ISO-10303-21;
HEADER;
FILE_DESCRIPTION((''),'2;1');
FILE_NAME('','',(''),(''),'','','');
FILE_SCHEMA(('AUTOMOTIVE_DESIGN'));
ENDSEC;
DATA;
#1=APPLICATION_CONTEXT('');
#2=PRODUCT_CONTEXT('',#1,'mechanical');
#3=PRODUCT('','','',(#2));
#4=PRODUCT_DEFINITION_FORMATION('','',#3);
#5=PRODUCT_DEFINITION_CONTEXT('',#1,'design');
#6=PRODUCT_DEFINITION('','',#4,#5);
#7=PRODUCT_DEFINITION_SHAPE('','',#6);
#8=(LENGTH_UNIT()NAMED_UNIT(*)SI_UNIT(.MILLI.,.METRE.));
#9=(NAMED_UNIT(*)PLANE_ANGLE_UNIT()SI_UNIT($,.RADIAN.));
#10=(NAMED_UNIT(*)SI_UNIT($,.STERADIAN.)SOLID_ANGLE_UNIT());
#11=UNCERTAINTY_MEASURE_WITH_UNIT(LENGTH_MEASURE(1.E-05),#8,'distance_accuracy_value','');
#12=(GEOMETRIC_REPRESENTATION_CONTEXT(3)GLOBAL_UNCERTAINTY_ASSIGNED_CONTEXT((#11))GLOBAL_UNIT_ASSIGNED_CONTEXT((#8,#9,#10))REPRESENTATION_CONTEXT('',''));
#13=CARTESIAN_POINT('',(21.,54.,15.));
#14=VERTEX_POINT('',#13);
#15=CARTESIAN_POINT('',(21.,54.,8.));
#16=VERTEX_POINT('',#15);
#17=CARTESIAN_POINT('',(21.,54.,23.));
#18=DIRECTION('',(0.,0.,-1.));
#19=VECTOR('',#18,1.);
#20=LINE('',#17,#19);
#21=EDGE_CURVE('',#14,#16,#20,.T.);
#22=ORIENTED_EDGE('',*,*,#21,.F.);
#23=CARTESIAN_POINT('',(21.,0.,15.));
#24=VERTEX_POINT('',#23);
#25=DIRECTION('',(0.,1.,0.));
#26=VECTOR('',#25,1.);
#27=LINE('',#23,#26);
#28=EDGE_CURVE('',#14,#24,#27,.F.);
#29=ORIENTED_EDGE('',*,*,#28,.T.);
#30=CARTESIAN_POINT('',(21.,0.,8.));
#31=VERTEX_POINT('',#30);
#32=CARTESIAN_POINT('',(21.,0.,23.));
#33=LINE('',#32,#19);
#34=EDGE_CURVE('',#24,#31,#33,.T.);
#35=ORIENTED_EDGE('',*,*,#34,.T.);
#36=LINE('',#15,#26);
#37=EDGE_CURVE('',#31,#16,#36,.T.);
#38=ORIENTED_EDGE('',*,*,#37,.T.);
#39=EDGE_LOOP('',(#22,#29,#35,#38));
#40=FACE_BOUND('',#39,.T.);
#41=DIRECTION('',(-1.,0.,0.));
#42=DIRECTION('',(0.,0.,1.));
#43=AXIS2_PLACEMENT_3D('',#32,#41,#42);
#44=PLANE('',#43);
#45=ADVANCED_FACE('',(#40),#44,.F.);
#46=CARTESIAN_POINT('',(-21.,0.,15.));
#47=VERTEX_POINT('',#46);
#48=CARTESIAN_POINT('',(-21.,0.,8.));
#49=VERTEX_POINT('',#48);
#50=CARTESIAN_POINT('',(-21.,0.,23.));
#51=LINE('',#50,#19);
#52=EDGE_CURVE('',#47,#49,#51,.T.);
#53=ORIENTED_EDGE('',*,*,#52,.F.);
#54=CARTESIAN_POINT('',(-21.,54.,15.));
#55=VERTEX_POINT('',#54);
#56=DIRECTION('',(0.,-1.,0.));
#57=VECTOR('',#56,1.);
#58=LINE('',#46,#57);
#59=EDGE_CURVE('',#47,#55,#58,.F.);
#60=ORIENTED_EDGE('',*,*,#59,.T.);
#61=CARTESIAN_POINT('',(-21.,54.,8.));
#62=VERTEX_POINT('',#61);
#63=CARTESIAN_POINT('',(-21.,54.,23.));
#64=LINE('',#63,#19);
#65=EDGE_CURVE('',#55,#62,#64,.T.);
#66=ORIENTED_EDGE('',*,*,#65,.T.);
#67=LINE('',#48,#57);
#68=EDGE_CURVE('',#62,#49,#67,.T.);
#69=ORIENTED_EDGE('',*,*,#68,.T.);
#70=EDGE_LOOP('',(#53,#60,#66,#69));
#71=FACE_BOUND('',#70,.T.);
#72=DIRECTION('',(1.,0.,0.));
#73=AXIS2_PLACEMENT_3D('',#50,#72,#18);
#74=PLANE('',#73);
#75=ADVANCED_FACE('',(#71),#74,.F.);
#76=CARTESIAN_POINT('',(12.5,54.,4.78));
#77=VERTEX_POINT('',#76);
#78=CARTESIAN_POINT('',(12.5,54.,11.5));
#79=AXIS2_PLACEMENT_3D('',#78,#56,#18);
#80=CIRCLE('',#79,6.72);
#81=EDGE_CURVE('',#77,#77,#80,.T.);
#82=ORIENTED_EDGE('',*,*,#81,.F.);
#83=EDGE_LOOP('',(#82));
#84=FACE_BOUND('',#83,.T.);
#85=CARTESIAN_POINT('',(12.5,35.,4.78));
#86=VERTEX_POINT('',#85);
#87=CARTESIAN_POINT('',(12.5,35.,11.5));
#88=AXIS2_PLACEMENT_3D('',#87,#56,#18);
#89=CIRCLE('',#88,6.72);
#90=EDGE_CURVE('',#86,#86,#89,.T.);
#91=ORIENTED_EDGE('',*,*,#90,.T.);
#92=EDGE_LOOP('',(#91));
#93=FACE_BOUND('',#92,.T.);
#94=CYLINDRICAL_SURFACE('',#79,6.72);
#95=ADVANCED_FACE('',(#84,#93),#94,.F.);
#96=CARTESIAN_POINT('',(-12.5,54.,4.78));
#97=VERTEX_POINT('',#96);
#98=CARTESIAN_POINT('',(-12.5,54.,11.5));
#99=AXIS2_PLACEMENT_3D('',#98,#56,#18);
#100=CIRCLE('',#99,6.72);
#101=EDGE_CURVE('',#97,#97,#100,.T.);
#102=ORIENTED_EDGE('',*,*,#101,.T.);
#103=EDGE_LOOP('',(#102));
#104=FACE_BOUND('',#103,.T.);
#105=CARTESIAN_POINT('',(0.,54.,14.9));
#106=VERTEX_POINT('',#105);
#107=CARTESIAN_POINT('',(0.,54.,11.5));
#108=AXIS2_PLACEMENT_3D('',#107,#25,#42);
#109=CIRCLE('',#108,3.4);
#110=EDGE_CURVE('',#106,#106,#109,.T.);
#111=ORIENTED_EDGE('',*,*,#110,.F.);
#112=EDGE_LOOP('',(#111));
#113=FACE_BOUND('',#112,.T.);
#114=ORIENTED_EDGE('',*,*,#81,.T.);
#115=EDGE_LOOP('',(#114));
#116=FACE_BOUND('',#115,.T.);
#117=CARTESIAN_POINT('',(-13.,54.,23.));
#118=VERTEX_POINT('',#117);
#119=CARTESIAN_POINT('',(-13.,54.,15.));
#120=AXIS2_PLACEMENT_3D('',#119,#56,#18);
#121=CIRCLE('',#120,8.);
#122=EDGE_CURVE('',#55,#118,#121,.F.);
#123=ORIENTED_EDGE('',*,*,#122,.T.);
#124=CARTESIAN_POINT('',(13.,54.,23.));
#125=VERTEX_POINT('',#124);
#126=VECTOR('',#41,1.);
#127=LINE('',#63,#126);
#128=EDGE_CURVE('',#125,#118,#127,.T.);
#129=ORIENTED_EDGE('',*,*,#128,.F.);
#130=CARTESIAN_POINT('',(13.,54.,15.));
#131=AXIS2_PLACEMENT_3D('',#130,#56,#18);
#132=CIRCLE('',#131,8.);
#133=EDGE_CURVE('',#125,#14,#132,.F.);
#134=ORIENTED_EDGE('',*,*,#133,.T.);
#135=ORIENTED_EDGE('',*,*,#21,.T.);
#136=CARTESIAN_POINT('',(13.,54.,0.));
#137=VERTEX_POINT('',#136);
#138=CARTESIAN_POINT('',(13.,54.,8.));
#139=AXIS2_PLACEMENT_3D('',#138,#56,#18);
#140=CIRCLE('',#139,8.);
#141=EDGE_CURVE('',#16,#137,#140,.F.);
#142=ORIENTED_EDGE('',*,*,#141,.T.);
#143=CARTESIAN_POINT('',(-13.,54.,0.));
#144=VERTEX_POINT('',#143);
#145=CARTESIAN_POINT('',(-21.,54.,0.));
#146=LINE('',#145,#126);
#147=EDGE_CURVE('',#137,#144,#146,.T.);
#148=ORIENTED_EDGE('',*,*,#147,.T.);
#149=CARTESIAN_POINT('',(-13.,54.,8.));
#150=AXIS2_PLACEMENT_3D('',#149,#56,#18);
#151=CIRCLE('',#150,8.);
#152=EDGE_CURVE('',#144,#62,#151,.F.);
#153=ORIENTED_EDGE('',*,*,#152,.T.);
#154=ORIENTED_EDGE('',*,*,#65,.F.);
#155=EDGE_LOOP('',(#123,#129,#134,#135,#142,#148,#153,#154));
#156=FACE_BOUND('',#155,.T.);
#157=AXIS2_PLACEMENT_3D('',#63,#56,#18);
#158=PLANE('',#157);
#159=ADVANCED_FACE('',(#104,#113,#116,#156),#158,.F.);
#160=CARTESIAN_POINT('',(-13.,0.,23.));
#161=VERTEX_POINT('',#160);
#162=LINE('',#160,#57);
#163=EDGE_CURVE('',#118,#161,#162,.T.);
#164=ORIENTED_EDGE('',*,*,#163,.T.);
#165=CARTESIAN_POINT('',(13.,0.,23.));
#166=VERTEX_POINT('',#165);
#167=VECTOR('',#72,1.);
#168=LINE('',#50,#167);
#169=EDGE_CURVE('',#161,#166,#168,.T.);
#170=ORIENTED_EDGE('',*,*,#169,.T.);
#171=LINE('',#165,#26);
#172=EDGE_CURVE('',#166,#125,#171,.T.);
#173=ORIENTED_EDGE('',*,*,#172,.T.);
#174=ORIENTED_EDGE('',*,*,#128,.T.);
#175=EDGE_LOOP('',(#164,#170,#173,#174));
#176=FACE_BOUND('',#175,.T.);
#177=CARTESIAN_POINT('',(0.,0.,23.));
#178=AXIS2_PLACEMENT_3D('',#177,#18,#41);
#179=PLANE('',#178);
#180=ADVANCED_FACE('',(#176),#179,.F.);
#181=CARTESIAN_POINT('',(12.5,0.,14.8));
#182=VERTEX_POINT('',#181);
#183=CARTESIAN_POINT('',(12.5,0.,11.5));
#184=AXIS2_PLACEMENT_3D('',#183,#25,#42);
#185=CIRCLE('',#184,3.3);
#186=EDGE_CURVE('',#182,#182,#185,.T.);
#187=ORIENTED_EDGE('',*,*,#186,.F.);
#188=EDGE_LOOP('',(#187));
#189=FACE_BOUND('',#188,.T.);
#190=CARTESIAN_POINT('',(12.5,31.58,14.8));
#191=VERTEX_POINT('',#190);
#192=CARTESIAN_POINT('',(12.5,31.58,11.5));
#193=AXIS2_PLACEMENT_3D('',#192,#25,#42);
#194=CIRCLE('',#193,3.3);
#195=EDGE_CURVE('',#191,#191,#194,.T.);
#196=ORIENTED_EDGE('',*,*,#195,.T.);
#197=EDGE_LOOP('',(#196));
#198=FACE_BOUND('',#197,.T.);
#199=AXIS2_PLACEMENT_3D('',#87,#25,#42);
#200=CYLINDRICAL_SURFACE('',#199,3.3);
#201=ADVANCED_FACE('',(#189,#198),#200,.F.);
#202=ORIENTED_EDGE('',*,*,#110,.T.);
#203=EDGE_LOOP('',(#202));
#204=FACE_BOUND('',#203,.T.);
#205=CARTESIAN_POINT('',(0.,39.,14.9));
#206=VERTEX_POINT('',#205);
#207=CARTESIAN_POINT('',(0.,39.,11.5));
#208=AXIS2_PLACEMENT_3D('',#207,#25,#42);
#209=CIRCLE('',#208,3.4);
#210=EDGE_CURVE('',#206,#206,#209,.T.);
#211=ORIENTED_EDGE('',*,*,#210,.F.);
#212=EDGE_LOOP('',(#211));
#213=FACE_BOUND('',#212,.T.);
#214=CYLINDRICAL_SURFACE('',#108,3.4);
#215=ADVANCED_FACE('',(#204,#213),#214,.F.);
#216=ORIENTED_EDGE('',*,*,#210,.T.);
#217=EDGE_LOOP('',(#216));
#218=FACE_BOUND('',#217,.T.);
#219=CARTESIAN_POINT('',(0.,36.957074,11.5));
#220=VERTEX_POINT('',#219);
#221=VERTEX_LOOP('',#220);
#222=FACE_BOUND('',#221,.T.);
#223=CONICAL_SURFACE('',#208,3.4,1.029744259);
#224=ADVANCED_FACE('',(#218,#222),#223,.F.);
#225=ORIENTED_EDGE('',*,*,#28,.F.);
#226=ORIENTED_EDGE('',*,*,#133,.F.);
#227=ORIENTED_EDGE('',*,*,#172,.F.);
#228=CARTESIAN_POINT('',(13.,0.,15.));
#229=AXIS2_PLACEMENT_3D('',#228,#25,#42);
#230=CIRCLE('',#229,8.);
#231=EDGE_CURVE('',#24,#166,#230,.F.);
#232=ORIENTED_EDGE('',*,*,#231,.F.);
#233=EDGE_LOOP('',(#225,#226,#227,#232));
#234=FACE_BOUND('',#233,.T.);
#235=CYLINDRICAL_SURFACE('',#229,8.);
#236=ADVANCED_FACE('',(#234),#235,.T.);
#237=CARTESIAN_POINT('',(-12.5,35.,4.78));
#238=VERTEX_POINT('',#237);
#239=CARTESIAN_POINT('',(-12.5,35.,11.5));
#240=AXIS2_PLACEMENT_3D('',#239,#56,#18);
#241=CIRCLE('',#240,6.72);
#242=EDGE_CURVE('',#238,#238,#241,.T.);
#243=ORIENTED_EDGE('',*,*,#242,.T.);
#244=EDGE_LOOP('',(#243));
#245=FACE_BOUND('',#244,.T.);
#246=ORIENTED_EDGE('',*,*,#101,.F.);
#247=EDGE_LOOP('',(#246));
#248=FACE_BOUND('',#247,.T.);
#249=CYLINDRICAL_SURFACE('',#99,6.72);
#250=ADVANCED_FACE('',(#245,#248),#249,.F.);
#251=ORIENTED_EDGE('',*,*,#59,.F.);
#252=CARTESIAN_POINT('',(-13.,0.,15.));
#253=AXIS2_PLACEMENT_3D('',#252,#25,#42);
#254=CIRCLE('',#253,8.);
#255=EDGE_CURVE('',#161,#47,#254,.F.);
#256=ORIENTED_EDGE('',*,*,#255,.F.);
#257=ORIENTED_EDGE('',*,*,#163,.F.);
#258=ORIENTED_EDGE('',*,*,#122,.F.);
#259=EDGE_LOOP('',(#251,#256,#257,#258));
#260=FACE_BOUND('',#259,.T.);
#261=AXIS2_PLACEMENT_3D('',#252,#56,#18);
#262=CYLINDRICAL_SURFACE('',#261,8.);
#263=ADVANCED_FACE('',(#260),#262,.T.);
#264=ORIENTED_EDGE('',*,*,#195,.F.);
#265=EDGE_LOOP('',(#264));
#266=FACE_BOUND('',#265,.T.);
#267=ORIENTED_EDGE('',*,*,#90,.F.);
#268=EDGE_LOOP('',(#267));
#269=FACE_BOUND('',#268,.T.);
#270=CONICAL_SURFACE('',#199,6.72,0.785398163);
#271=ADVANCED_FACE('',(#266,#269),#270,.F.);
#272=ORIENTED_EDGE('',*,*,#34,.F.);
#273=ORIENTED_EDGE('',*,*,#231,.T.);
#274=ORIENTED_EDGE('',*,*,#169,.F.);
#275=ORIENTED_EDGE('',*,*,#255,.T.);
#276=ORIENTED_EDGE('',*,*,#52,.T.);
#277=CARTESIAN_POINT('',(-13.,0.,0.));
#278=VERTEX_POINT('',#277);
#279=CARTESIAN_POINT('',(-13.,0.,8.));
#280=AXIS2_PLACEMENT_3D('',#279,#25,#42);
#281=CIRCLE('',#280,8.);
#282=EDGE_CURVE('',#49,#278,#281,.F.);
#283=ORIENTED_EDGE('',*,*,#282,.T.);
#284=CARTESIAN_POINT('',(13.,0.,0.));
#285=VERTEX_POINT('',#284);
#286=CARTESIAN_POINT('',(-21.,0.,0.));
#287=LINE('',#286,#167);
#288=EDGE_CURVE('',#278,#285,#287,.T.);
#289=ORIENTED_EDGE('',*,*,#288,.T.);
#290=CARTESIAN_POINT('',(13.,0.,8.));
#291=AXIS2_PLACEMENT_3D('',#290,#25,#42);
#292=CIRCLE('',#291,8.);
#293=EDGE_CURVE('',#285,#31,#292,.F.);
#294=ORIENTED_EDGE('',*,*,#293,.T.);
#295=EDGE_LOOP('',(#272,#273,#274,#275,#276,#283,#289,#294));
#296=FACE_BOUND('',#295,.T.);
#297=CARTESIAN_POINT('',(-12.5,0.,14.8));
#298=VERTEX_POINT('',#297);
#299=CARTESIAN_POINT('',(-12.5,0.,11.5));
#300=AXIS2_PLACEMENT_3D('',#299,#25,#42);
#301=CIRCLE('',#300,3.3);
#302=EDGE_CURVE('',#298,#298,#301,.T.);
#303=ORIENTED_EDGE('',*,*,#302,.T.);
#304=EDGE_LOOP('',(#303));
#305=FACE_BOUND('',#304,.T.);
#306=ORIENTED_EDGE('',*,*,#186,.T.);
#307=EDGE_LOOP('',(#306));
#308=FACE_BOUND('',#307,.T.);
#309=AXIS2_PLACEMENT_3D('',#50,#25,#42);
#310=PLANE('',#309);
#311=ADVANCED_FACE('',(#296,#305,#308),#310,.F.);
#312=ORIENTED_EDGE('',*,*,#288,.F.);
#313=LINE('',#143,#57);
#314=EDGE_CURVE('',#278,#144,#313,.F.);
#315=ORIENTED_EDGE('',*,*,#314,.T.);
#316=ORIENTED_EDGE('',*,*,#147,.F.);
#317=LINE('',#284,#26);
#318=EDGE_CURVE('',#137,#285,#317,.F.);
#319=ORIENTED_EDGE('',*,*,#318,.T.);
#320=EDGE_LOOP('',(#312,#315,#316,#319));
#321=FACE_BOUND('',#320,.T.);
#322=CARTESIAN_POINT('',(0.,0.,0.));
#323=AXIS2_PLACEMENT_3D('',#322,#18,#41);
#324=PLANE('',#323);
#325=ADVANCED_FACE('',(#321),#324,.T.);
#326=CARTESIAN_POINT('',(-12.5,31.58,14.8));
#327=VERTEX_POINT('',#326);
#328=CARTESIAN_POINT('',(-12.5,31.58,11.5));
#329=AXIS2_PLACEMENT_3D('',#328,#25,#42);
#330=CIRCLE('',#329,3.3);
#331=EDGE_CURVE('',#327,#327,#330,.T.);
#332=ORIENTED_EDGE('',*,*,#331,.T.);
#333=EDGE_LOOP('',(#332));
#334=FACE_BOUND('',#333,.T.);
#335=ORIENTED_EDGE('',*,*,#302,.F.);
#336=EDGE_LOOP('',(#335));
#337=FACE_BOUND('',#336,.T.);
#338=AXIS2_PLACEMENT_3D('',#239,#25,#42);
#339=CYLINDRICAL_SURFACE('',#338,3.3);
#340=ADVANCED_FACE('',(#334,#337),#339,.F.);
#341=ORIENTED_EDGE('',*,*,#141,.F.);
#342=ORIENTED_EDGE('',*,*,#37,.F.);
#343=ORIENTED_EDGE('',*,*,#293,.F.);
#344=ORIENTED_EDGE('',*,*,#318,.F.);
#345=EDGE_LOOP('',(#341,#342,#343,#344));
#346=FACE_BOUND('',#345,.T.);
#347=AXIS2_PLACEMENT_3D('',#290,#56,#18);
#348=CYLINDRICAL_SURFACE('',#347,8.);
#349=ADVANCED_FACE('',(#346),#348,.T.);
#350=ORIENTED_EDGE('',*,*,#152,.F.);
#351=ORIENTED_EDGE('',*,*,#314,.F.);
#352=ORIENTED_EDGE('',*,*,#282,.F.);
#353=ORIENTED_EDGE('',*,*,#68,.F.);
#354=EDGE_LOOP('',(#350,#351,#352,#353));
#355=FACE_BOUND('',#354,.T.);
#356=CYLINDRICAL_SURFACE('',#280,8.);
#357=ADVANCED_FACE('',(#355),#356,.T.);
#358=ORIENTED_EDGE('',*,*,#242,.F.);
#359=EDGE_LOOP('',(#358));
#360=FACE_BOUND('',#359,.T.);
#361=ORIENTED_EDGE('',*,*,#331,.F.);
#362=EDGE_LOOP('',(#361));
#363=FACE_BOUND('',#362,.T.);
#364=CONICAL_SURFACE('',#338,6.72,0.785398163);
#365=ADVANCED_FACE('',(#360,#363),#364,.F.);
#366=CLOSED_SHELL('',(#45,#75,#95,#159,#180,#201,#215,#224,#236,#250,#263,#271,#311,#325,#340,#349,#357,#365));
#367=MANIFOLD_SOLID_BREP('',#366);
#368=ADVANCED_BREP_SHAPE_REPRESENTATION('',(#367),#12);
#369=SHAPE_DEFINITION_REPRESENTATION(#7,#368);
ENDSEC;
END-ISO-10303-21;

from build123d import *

# Parameters (mm, degrees)
SKETCH1_W                                    = 42
SKETCH1_H                                    = 54
BOSS_EXTRUDE1_DEPTH                          = 23
M8_TAPPED_HOLE1_D                            = 6.8
M8_TAPPED_HOLE1_DEPTH                        = 15
M8_TAPPED_HOLE1_TIP                          = 2.042926105
CSK_FOR_M6_HEX_SOCKET_COUNTERSUNK_CA_2_COUNT = 2
CSK_FOR_M6_HEX_SOCKET_COUNTERSUNK_CA_2_PITCH = 25
FILLET1_R                                    = 8
SKETCH8_R                                    = 6.72
CUT_EXTRUDE1_DEPTH                           = 47.8508271


with BuildPart() as part:
    # Sketch1 → Boss-Extrude1 (new body)
    with BuildSketch(Plane.XY):
        with Locations((0, 27)):
            Rectangle(SKETCH1_W, SKETCH1_H)
    extrude(amount=BOSS_EXTRUDE1_DEPTH)

    # M8 Tapped Hole1
    with Locations(Plane(origin=(0, 54, 0), x_dir=(1, 0, 0), z_dir=(0, 1, 0))):
        with Locations((0, -11.5)):
            Hole(M8_TAPPED_HOLE1_D / 2, depth=M8_TAPPED_HOLE1_DEPTH)
            with Locations((0, 0, -(M8_TAPPED_HOLE1_DEPTH + M8_TAPPED_HOLE1_TIP / 2))):  # 118° drill point
                Cone(0, M8_TAPPED_HOLE1_D / 2, M8_TAPPED_HOLE1_TIP, mode=Mode.SUBTRACT)

    # Sketch5 → CSK for M6 Hex Socket Countersunk Cap Screw2 (revolve, cut)
    with BuildSketch(Plane(origin=(12.5, 35, 11.5), x_dir=(0, 0, 1), z_dir=(1, 0, 0))):
        Polygon((0, 0), (0, 35), (3.3, 35), (3.3, 3.42), (6.72, 0), align=None)
    csk_for_m6_hex_socket_countersunk_cap_sc = revolve(axis=Axis((12.5, 41.35, 11.5), (0, -1, 0)), mode=Mode.SUBTRACT)

    # CSK for M6 Hex Socket Countersunk Ca 2: CSK for M6 Hex Socket Countersunk Cap Screw2 ×2
    with Locations(*[(-i * CSK_FOR_M6_HEX_SOCKET_COUNTERSUNK_CA_2_PITCH, 0, 0) for i in range(1, CSK_FOR_M6_HEX_SOCKET_COUNTERSUNK_CA_2_COUNT)]):
        add(csk_for_m6_hex_socket_countersunk_cap_sc, mode=Mode.SUBTRACT)

    # Fillet1
    fillet1_edges = [part.edges().sort_by_distance(p)[0] for p in [
        (21, 27, 23),
        (-21, 27, 23),
        (21, 27, 0),
        (-21, 27, 0),
    ]]
    fillet(fillet1_edges, radius=FILLET1_R)

    # Sketch8 → Cut-Extrude1 (cut, through all)
    with BuildSketch(Plane(origin=(0, 35, 0), x_dir=(-1, 0, 0), z_dir=(0, -1, 0))):
        with Locations(Location((12.5, -11.5, 0), (0, 0, 90))):
            Circle(SKETCH8_R)
        with Locations(Location((-12.5, -11.5, 0), (0, 0, 90))):
            Circle(SKETCH8_R)
    extrude(amount=-CUT_EXTRUDE1_DEPTH, mode=Mode.SUBTRACT)


solid = part.part
